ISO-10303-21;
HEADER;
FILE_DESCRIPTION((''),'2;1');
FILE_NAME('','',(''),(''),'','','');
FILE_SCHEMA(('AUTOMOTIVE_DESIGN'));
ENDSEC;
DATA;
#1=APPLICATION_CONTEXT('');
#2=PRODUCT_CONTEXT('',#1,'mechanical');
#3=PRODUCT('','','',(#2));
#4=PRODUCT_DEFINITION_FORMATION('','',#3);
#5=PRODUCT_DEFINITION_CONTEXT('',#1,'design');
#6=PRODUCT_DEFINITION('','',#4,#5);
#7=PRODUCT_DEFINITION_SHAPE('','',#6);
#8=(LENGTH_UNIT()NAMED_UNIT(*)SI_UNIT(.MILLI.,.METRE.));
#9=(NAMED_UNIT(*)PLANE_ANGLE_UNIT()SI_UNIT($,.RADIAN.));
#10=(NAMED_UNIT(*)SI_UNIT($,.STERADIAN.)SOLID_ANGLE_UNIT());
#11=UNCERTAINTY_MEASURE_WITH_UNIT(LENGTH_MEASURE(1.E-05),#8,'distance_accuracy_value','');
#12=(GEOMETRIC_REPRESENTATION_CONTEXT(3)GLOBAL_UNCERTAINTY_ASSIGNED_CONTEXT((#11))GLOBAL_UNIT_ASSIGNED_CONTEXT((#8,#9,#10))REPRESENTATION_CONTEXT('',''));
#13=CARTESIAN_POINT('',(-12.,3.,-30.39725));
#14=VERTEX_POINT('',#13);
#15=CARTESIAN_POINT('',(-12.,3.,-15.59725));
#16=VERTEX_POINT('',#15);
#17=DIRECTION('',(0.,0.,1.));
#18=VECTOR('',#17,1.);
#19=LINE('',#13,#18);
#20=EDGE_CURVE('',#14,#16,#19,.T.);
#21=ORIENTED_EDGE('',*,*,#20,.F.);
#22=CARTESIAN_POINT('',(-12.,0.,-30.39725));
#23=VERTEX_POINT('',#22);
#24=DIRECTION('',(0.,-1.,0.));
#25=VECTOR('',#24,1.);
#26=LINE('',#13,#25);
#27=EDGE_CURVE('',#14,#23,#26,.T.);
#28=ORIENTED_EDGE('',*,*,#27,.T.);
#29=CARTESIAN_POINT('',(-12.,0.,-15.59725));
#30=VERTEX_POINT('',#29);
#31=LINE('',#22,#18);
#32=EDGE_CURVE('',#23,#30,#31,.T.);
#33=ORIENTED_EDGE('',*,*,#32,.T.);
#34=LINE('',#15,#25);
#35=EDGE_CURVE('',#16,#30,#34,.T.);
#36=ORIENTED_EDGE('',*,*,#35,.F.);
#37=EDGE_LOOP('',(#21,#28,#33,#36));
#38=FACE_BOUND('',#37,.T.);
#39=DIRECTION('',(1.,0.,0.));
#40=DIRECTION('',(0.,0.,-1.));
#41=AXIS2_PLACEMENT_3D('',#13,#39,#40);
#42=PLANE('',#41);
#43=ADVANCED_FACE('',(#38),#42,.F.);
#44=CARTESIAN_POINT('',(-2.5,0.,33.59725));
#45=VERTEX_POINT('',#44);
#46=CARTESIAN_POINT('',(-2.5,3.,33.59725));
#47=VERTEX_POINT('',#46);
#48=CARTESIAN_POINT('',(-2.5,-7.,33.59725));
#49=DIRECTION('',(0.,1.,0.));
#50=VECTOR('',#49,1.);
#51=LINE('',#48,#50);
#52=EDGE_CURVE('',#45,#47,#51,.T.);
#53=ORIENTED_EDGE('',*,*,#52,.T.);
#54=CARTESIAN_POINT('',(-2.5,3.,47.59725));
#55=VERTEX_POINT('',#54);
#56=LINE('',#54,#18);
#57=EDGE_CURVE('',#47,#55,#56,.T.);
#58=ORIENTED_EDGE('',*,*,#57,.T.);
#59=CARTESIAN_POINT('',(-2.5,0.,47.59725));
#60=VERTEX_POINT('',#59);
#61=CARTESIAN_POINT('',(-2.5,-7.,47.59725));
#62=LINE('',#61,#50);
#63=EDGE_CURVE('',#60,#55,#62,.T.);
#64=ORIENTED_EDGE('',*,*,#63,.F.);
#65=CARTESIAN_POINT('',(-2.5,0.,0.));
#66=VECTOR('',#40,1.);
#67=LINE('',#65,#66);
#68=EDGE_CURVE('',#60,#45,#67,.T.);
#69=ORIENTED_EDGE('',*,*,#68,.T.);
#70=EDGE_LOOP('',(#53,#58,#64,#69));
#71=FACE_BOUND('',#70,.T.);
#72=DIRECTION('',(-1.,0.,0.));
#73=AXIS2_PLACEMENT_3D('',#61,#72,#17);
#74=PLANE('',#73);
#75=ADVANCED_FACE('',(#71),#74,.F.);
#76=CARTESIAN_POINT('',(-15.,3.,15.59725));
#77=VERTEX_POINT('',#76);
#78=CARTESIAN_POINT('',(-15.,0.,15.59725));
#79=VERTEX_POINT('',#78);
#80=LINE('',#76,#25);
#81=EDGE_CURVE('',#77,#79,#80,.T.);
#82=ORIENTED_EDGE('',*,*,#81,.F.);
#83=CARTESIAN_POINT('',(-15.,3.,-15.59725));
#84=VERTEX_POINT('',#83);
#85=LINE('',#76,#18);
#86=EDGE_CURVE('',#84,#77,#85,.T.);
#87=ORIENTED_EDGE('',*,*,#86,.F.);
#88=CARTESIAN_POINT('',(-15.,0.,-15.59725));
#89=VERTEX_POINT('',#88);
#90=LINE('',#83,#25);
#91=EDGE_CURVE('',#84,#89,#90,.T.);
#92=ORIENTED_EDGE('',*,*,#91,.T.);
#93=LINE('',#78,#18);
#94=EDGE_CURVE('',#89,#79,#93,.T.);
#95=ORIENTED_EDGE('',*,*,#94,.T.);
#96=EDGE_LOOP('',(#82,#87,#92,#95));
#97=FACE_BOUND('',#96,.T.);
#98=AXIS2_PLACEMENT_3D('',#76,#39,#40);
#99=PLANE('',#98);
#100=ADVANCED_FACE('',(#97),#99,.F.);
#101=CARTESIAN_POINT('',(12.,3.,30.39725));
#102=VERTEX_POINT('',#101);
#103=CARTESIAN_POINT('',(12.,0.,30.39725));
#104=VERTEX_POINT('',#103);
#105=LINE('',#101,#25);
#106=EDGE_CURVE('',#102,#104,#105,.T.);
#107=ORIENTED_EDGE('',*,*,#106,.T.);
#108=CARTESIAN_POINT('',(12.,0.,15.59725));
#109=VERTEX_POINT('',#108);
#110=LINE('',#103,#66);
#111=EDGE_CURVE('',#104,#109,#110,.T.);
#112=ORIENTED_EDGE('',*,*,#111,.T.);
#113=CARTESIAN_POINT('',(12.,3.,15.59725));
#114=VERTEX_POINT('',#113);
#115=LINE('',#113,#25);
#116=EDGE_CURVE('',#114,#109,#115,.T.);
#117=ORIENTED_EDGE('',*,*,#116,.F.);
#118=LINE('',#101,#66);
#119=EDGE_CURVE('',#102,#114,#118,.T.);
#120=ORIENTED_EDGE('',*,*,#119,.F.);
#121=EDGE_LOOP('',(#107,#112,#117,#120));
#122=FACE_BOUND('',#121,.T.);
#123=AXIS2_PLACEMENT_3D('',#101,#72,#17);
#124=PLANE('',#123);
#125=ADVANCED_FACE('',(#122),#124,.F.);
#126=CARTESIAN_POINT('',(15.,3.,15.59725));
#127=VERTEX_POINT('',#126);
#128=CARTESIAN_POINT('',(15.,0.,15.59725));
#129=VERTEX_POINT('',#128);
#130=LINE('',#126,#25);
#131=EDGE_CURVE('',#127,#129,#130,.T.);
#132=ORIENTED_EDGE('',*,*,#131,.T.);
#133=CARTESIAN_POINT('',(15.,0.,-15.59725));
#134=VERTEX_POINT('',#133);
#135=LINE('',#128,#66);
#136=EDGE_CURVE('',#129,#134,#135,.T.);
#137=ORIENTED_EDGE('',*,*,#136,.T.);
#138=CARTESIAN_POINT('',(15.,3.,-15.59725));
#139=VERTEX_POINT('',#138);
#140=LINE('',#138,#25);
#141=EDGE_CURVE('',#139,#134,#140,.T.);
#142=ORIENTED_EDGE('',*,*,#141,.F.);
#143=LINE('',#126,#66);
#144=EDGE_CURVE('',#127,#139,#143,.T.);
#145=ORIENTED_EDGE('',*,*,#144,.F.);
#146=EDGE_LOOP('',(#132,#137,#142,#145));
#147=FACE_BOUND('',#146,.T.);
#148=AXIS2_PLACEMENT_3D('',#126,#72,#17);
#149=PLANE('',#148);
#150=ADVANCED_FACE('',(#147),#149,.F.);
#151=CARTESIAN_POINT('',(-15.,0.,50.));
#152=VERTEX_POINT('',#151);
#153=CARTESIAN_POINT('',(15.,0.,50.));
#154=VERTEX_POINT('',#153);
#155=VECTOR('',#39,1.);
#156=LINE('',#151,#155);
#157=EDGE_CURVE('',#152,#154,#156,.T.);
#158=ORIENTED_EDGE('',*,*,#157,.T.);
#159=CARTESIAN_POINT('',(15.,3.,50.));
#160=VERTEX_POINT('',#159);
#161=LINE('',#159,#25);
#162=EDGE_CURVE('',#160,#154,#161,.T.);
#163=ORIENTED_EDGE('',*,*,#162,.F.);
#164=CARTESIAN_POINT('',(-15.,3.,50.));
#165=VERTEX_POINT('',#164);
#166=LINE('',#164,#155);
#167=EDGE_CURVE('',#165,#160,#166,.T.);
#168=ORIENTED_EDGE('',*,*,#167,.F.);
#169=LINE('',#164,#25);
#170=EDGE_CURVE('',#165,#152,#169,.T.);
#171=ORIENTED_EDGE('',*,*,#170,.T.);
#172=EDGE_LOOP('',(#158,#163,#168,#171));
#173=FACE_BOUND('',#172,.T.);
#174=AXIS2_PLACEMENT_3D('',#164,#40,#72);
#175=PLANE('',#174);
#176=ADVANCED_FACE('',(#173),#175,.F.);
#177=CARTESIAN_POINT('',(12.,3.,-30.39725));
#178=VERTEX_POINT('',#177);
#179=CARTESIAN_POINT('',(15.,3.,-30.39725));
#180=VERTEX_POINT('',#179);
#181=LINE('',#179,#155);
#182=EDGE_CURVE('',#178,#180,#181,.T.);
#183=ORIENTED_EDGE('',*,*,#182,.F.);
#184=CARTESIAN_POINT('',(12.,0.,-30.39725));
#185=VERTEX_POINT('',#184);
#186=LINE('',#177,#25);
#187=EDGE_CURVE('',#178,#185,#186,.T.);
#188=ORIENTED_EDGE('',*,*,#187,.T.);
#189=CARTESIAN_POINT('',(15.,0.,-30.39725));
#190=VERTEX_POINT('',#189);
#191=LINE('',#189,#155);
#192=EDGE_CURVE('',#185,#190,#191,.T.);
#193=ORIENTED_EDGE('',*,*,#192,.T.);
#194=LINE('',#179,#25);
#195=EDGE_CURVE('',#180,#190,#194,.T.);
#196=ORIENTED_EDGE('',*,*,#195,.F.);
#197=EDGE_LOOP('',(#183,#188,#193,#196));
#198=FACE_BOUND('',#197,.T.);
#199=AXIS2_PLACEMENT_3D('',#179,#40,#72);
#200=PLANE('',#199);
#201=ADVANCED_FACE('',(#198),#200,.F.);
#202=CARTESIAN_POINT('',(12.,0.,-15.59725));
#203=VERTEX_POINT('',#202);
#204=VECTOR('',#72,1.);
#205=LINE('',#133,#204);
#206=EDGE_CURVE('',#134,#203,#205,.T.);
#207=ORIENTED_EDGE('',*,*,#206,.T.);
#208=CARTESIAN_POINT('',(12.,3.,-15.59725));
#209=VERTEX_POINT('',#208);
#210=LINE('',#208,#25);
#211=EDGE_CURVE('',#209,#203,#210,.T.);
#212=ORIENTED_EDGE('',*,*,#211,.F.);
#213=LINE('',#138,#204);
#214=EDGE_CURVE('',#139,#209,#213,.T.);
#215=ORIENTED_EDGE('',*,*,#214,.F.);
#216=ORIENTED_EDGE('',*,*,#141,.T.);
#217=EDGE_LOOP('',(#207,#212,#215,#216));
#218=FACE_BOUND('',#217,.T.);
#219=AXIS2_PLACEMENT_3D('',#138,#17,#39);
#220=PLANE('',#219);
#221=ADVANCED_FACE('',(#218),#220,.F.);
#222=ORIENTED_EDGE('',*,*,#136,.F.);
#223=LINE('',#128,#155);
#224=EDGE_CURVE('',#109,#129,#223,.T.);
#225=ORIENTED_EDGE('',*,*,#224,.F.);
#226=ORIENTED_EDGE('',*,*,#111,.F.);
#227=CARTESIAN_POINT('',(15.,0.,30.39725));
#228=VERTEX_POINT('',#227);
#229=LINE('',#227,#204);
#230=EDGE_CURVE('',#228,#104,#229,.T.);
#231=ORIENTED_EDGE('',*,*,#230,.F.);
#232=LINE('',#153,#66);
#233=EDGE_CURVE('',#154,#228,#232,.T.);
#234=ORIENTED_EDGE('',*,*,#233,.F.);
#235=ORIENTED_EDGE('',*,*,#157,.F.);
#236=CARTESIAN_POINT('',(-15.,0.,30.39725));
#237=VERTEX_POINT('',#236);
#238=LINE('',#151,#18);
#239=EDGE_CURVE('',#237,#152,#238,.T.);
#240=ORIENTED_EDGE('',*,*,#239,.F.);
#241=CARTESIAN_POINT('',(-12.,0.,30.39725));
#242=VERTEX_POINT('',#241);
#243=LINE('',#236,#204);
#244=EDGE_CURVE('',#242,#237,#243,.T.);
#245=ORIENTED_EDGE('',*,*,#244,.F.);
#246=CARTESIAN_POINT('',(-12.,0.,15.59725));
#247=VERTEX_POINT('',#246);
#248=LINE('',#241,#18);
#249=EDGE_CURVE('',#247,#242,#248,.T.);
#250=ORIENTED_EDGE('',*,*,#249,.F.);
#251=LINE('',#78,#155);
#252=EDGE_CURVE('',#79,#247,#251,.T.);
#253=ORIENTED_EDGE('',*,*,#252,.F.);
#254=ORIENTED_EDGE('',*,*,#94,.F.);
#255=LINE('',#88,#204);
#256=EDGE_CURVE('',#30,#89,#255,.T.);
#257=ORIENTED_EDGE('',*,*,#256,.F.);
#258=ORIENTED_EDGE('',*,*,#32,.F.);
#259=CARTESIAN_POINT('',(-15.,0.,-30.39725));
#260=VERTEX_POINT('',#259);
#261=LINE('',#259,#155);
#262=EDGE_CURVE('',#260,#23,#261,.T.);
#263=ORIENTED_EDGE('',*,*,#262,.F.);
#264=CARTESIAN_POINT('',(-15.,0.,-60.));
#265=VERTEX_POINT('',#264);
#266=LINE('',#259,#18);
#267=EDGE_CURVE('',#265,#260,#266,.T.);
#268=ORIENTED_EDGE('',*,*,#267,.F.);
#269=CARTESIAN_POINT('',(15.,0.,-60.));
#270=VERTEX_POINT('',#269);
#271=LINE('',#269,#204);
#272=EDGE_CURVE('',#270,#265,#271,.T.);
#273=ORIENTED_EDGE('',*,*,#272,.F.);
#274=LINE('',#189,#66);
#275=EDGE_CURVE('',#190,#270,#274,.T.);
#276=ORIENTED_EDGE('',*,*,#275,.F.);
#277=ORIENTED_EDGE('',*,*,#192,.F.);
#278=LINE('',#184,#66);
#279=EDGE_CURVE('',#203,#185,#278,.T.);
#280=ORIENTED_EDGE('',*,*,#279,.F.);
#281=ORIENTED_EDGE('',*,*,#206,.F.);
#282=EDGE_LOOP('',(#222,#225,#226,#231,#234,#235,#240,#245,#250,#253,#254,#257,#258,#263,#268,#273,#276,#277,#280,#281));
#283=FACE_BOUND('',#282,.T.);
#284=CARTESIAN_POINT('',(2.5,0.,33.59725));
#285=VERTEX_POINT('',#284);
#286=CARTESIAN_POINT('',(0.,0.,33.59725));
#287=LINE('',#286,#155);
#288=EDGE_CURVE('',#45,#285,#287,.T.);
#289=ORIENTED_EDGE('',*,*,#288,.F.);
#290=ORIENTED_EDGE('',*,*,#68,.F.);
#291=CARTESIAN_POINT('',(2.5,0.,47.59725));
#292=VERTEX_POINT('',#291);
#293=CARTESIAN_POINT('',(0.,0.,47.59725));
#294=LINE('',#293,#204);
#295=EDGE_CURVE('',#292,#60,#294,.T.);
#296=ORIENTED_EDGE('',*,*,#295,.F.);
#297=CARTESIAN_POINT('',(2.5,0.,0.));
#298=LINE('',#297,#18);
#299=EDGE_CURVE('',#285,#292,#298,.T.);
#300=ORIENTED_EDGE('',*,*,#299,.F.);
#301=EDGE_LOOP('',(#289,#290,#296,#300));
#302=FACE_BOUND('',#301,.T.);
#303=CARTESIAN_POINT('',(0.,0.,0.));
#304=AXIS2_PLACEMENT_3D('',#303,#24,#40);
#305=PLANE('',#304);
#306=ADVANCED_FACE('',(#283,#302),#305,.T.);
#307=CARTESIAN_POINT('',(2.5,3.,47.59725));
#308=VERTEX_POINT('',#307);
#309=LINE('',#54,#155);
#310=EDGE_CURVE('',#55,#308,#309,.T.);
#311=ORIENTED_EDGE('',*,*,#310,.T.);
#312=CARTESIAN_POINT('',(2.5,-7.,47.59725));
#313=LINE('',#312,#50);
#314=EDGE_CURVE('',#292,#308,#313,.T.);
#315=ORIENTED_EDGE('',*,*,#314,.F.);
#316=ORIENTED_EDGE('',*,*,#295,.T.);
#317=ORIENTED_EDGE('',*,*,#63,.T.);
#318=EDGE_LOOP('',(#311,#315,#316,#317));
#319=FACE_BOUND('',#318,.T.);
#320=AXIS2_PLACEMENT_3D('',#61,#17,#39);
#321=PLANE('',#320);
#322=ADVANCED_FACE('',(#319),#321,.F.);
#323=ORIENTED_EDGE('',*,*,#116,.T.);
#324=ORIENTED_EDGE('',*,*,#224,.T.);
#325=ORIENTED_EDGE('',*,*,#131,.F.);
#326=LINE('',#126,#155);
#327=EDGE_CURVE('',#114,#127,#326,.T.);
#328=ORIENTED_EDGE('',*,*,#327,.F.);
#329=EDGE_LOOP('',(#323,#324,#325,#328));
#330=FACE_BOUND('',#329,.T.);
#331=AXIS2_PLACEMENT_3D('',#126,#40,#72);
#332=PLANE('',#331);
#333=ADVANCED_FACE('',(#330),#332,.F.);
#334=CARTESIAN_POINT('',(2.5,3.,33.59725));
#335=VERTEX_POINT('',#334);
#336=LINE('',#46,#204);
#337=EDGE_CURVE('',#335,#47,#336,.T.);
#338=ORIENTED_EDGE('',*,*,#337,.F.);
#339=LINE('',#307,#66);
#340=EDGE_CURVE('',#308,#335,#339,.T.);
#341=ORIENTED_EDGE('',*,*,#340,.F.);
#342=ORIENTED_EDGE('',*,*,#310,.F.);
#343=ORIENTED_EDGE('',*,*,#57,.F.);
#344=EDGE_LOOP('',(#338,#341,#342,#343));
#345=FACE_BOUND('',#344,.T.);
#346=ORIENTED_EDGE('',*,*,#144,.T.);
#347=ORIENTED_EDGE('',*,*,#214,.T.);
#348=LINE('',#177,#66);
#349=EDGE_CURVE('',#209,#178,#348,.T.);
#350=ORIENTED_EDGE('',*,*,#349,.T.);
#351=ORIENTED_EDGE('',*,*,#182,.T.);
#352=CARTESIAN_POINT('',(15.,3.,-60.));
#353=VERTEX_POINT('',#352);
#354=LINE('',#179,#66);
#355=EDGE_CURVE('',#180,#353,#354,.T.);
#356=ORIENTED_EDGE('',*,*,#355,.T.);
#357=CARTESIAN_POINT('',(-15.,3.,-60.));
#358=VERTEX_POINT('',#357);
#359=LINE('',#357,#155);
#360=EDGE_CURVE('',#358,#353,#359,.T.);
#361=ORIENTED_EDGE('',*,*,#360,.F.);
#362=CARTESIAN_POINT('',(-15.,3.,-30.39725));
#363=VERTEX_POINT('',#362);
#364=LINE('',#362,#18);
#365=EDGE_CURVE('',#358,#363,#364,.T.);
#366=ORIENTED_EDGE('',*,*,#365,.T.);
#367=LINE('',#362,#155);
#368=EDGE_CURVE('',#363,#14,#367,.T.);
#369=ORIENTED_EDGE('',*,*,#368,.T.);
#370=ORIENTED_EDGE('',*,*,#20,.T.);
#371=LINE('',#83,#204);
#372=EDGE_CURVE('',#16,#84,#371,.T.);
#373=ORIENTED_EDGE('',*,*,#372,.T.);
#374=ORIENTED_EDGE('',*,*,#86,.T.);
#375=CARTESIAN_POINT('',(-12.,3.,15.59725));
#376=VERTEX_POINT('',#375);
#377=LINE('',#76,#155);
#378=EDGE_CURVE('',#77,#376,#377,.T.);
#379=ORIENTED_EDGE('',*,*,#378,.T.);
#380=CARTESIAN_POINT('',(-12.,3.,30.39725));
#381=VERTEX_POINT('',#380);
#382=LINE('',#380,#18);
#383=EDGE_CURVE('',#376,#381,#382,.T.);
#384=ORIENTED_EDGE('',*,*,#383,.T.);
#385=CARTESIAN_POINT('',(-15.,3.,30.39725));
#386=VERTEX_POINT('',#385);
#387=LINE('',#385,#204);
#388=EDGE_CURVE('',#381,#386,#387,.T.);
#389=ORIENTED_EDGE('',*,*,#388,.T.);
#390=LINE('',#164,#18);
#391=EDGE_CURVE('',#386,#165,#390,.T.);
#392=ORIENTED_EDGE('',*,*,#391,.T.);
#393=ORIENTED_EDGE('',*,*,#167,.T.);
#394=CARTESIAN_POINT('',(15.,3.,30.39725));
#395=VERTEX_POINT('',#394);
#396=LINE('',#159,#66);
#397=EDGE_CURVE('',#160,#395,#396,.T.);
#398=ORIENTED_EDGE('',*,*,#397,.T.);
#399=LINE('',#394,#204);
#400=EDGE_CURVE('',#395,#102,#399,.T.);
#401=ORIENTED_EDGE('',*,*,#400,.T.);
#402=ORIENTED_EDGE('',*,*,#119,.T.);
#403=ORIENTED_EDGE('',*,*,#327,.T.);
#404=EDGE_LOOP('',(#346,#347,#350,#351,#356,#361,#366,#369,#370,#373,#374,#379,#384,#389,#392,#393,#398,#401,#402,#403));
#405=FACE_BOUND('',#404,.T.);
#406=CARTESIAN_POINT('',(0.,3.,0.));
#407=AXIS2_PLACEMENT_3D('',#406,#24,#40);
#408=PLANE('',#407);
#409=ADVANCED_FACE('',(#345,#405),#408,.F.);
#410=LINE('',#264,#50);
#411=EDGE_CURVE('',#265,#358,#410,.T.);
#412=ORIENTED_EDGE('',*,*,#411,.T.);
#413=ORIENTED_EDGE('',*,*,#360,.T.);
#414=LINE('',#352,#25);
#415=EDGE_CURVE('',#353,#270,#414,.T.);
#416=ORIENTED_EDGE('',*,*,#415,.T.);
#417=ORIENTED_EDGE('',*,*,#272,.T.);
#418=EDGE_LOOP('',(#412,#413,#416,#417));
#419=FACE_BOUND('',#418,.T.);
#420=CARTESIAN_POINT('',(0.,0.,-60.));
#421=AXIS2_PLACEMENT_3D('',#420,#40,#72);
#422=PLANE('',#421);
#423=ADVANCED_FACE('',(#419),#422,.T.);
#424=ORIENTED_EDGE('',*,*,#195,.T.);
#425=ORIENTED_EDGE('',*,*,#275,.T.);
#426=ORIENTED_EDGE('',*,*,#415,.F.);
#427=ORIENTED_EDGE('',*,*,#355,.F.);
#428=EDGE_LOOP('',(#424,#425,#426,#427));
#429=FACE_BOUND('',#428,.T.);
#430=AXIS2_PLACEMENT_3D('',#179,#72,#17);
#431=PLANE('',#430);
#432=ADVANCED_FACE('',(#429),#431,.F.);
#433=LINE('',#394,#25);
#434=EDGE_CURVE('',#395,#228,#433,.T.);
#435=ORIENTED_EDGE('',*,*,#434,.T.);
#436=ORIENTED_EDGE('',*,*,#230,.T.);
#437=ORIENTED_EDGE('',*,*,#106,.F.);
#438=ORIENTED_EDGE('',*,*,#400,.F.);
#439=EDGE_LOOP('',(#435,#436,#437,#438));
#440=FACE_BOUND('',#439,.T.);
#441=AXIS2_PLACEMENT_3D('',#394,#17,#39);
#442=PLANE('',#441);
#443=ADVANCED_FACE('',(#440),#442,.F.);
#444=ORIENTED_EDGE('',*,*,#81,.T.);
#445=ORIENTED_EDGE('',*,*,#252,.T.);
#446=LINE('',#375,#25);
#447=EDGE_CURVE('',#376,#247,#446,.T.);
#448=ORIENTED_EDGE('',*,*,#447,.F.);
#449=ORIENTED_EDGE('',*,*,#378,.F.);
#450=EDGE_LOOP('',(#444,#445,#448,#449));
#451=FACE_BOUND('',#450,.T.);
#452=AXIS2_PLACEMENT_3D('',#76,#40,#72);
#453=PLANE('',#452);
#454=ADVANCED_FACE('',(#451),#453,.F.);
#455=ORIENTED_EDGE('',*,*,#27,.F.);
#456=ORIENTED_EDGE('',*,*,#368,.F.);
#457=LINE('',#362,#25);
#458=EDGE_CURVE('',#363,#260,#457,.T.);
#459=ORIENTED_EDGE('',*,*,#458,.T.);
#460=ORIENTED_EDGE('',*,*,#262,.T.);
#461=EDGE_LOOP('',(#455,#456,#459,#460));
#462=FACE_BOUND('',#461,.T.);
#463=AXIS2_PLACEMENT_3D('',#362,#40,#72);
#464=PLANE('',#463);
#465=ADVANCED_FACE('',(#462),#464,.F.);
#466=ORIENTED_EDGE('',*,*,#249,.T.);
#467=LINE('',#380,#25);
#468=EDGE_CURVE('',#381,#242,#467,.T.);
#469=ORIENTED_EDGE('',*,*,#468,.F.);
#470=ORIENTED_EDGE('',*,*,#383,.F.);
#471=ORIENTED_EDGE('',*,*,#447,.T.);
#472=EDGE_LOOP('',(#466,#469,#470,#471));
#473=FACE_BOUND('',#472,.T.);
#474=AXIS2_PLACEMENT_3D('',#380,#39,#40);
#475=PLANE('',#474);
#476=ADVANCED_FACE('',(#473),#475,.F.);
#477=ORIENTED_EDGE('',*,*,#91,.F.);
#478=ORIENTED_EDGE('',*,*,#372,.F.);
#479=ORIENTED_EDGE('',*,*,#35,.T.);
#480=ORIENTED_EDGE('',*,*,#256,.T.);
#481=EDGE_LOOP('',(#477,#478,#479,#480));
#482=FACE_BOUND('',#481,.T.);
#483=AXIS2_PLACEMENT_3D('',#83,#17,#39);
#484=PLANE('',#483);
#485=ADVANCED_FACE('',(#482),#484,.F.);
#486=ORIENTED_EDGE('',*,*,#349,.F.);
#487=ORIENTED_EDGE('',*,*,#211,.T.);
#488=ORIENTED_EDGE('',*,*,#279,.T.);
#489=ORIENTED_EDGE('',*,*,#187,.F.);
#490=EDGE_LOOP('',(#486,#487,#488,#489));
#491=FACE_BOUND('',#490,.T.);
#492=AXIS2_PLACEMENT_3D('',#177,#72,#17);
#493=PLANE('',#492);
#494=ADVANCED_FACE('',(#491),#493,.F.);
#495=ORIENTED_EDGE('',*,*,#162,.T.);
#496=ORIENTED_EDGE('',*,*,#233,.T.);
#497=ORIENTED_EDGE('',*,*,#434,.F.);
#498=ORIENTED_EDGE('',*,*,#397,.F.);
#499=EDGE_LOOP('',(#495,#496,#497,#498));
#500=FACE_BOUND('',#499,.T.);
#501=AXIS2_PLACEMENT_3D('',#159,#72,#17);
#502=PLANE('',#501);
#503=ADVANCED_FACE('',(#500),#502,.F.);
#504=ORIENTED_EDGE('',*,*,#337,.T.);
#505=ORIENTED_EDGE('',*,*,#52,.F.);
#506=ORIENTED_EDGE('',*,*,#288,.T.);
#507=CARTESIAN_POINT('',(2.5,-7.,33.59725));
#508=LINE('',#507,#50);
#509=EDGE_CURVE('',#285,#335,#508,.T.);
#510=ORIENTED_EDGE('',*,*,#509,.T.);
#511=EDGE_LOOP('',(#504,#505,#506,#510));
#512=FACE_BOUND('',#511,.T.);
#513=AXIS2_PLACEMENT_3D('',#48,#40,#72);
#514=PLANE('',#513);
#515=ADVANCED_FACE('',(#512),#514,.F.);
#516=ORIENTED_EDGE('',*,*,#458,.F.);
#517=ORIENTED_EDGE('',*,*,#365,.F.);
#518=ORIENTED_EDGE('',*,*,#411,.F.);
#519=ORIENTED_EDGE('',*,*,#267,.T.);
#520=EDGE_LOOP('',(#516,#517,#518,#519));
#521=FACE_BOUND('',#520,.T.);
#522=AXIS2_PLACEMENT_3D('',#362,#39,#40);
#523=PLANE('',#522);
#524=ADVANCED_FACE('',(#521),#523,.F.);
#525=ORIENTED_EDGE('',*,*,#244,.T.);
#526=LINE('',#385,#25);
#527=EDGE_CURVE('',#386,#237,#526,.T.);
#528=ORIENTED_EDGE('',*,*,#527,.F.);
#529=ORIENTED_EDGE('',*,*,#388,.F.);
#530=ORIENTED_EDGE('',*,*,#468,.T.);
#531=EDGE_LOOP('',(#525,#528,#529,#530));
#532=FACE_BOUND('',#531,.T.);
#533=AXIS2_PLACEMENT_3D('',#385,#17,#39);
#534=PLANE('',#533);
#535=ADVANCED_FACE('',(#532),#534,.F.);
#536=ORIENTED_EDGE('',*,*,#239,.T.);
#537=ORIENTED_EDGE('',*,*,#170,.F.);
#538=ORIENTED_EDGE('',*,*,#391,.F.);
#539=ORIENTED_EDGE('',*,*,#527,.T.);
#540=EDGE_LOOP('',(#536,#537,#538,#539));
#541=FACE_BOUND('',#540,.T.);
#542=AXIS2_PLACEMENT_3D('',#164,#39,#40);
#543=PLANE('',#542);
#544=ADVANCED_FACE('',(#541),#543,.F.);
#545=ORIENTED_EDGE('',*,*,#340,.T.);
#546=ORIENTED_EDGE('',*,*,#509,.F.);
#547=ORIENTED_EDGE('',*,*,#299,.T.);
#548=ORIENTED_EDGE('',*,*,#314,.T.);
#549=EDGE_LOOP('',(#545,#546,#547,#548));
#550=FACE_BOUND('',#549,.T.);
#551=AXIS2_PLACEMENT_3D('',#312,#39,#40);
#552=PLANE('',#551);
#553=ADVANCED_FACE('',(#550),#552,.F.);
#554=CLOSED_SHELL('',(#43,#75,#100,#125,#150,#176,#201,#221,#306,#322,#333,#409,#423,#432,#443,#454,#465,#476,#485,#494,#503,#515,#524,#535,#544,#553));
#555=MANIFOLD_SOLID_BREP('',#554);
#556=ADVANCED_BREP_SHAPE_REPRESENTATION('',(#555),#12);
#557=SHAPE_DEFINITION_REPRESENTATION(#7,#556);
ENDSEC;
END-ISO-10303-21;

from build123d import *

# Parameters (mm, degrees)
EXTRUDE_1_DEPTH     = 3
SKETCH_2_W          = 30
SKETCH_2_H          = 3
EXTRUDE_2_DEPTH     = 10
SKETCH_4_W          = 5
SKETCH_4_H          = 14
CUT_EXTRUDE_1_DEPTH = 10


with BuildPart() as part:
    # Эскиз1 → Бобышка-Вытянуть1 (new body)
    with BuildSketch(Plane(origin=(0, 0, 0), x_dir=(1, 0, 0), z_dir=(0, 1, 0))):
        Polygon((-15, -50), (15, -50), (15, -30.397249725), (12, -30.397249725), (12, -15.597249725), (15, -15.597249725), (15, 15.597249725), (12, 15.597249725), (12, 30.397249725), (15, 30.397249725), (15, 50), (-15, 50), (-15, 30.397249725), (-12, 30.397249725), (-12, 15.597249725), (-15, 15.597249725), (-15, -15.597249725), (-12, -15.597249725), (-12, -30.397249725), (-15, -30.397249725), align=None)
    extrude(amount=EXTRUDE_1_DEPTH)

    # Эскиз2 → Бобышка-Вытянуть2 (add)
    with BuildSketch(Plane(origin=(0, 0, -50), x_dir=(-1, 0, 0), z_dir=(0, 0, -1))):
        with Locations((0, 1.5)):
            Rectangle(SKETCH_2_W, SKETCH_2_H)
    extrude(amount=EXTRUDE_2_DEPTH)

    # Эскиз4 → Вырез-Вытянуть1 (cut)
    with BuildSketch(Plane(origin=(0, 3, 0), x_dir=(1, 0, 0), z_dir=(0, 1, 0))):
        with Locations((0, -40.597249725)):
            Rectangle(SKETCH_4_W, SKETCH_4_H)
    extrude(amount=-CUT_EXTRUDE_1_DEPTH, mode=Mode.SUBTRACT)


solid = part.part
